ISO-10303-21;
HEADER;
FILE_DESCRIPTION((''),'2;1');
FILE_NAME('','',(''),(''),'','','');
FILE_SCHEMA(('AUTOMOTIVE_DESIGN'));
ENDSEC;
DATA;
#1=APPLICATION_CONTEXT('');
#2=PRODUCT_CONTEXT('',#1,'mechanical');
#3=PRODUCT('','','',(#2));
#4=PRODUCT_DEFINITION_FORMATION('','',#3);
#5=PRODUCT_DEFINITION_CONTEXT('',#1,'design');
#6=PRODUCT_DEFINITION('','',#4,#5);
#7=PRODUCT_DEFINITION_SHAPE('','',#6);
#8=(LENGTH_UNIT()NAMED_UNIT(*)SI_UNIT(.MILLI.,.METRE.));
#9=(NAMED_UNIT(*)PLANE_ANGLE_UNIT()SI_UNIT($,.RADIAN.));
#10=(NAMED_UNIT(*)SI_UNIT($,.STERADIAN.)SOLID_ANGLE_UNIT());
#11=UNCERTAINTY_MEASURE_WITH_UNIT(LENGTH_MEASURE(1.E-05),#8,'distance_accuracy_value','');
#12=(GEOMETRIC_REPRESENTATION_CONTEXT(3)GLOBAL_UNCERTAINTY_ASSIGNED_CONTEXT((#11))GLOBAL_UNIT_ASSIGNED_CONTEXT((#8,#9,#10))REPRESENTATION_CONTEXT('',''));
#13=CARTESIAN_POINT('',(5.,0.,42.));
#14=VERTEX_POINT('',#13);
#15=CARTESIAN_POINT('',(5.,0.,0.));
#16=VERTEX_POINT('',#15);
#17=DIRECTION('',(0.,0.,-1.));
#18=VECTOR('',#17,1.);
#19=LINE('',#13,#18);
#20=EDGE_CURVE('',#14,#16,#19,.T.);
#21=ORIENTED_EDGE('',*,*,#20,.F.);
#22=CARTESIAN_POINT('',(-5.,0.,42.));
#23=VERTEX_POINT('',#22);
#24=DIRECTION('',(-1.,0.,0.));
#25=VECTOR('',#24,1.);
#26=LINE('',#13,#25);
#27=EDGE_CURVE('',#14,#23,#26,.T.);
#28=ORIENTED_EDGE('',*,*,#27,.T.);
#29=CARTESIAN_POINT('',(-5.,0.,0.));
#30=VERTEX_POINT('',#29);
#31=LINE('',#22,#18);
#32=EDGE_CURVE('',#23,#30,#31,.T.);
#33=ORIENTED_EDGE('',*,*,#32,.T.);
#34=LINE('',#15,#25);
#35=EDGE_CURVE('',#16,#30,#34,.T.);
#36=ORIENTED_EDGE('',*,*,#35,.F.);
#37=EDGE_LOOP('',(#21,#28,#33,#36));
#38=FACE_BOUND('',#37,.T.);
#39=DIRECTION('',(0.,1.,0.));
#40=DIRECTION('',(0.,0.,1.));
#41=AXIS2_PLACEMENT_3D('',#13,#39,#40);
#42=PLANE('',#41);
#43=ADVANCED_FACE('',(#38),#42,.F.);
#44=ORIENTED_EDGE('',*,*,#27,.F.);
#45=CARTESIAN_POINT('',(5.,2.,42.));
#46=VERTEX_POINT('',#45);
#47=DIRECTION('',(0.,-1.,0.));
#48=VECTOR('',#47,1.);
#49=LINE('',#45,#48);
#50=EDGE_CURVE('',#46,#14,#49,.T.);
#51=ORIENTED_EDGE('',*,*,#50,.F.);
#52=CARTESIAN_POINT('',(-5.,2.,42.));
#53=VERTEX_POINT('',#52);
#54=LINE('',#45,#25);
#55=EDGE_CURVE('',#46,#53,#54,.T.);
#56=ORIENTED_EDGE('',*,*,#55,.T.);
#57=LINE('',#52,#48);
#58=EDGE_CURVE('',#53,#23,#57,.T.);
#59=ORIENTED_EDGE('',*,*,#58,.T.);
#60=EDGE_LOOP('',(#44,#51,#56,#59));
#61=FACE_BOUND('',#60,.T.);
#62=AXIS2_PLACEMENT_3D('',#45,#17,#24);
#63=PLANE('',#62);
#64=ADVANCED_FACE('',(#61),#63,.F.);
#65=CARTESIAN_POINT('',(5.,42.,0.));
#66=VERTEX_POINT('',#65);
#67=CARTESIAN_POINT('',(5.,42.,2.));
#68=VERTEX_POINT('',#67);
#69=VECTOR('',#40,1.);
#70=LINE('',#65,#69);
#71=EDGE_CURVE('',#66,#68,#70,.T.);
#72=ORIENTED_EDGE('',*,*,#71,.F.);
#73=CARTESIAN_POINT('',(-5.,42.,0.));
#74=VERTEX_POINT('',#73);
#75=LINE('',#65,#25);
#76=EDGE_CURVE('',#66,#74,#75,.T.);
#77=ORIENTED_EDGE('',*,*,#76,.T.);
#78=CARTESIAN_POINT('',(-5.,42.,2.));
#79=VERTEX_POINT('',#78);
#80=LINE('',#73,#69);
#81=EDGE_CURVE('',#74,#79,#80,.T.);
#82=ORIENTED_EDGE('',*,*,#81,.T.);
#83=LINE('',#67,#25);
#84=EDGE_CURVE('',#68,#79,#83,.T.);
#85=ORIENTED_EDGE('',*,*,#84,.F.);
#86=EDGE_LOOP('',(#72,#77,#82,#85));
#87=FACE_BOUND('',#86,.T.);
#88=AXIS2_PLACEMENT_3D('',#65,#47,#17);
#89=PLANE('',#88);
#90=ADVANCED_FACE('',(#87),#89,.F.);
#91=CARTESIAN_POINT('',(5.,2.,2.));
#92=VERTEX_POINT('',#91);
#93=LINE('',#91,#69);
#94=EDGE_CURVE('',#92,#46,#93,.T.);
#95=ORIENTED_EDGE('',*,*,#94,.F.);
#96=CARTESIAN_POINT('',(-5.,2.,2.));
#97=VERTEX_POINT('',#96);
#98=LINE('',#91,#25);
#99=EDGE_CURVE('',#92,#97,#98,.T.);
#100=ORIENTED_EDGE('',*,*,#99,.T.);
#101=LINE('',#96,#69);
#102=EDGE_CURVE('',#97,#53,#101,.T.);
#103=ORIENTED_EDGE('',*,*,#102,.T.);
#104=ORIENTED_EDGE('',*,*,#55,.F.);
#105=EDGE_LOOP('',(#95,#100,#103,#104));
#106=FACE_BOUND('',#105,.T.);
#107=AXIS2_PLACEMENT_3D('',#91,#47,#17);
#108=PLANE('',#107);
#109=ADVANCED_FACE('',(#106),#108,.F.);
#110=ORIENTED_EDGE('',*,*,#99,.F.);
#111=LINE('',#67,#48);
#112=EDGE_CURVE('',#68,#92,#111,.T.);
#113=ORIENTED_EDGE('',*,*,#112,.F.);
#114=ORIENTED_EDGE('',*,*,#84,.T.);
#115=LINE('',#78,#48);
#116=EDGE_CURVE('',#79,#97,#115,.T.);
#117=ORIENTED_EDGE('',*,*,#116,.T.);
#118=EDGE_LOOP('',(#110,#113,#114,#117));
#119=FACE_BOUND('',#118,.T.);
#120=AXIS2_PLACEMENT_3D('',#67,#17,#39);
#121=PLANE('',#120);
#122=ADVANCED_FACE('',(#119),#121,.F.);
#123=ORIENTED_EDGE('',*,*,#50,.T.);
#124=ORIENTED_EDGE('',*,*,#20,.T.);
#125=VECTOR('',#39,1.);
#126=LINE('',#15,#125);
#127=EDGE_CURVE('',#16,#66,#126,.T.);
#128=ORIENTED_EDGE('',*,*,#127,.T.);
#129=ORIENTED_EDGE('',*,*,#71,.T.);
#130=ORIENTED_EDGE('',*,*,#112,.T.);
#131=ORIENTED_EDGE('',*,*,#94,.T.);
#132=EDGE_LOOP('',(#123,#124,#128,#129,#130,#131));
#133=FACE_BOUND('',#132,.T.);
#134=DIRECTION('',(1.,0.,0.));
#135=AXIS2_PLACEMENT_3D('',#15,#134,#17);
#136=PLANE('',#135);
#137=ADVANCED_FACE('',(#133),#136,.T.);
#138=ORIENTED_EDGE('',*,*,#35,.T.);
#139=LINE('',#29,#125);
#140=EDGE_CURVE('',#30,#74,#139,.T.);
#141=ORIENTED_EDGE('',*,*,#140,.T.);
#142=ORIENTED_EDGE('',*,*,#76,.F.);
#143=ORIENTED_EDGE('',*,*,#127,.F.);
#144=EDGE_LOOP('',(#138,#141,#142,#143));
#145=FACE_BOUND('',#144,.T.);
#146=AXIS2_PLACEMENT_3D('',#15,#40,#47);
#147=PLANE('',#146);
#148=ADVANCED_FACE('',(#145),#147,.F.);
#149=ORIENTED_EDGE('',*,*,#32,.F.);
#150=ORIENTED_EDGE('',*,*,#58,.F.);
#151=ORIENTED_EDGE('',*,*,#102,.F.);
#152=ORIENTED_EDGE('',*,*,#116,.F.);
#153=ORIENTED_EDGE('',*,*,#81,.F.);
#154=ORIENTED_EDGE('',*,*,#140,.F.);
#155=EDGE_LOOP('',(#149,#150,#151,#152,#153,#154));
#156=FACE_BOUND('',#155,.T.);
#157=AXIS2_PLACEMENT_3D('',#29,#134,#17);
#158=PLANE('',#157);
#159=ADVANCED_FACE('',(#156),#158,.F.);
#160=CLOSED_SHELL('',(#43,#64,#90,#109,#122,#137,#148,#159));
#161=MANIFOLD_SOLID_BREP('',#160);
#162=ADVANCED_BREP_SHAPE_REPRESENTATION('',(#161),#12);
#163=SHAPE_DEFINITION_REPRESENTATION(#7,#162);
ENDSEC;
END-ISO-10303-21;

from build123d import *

# Parameters (mm, degrees)
BOSS_EXTRUDE1_DEPTH = 5


with BuildPart() as part:
    # Sketch1 → Boss-Extrude1 (new, symmetric)
    with BuildSketch(Plane(origin=(0, 0, 0), x_dir=(0, 0, -1), z_dir=(1, 0, 0))):
        Polygon((-42, 0), (0, 0), (0, 42), (-2, 42), (-2, 2), (-42, 2), align=None)
    extrude(amount=BOSS_EXTRUDE1_DEPTH, both=True)


solid = part.part
